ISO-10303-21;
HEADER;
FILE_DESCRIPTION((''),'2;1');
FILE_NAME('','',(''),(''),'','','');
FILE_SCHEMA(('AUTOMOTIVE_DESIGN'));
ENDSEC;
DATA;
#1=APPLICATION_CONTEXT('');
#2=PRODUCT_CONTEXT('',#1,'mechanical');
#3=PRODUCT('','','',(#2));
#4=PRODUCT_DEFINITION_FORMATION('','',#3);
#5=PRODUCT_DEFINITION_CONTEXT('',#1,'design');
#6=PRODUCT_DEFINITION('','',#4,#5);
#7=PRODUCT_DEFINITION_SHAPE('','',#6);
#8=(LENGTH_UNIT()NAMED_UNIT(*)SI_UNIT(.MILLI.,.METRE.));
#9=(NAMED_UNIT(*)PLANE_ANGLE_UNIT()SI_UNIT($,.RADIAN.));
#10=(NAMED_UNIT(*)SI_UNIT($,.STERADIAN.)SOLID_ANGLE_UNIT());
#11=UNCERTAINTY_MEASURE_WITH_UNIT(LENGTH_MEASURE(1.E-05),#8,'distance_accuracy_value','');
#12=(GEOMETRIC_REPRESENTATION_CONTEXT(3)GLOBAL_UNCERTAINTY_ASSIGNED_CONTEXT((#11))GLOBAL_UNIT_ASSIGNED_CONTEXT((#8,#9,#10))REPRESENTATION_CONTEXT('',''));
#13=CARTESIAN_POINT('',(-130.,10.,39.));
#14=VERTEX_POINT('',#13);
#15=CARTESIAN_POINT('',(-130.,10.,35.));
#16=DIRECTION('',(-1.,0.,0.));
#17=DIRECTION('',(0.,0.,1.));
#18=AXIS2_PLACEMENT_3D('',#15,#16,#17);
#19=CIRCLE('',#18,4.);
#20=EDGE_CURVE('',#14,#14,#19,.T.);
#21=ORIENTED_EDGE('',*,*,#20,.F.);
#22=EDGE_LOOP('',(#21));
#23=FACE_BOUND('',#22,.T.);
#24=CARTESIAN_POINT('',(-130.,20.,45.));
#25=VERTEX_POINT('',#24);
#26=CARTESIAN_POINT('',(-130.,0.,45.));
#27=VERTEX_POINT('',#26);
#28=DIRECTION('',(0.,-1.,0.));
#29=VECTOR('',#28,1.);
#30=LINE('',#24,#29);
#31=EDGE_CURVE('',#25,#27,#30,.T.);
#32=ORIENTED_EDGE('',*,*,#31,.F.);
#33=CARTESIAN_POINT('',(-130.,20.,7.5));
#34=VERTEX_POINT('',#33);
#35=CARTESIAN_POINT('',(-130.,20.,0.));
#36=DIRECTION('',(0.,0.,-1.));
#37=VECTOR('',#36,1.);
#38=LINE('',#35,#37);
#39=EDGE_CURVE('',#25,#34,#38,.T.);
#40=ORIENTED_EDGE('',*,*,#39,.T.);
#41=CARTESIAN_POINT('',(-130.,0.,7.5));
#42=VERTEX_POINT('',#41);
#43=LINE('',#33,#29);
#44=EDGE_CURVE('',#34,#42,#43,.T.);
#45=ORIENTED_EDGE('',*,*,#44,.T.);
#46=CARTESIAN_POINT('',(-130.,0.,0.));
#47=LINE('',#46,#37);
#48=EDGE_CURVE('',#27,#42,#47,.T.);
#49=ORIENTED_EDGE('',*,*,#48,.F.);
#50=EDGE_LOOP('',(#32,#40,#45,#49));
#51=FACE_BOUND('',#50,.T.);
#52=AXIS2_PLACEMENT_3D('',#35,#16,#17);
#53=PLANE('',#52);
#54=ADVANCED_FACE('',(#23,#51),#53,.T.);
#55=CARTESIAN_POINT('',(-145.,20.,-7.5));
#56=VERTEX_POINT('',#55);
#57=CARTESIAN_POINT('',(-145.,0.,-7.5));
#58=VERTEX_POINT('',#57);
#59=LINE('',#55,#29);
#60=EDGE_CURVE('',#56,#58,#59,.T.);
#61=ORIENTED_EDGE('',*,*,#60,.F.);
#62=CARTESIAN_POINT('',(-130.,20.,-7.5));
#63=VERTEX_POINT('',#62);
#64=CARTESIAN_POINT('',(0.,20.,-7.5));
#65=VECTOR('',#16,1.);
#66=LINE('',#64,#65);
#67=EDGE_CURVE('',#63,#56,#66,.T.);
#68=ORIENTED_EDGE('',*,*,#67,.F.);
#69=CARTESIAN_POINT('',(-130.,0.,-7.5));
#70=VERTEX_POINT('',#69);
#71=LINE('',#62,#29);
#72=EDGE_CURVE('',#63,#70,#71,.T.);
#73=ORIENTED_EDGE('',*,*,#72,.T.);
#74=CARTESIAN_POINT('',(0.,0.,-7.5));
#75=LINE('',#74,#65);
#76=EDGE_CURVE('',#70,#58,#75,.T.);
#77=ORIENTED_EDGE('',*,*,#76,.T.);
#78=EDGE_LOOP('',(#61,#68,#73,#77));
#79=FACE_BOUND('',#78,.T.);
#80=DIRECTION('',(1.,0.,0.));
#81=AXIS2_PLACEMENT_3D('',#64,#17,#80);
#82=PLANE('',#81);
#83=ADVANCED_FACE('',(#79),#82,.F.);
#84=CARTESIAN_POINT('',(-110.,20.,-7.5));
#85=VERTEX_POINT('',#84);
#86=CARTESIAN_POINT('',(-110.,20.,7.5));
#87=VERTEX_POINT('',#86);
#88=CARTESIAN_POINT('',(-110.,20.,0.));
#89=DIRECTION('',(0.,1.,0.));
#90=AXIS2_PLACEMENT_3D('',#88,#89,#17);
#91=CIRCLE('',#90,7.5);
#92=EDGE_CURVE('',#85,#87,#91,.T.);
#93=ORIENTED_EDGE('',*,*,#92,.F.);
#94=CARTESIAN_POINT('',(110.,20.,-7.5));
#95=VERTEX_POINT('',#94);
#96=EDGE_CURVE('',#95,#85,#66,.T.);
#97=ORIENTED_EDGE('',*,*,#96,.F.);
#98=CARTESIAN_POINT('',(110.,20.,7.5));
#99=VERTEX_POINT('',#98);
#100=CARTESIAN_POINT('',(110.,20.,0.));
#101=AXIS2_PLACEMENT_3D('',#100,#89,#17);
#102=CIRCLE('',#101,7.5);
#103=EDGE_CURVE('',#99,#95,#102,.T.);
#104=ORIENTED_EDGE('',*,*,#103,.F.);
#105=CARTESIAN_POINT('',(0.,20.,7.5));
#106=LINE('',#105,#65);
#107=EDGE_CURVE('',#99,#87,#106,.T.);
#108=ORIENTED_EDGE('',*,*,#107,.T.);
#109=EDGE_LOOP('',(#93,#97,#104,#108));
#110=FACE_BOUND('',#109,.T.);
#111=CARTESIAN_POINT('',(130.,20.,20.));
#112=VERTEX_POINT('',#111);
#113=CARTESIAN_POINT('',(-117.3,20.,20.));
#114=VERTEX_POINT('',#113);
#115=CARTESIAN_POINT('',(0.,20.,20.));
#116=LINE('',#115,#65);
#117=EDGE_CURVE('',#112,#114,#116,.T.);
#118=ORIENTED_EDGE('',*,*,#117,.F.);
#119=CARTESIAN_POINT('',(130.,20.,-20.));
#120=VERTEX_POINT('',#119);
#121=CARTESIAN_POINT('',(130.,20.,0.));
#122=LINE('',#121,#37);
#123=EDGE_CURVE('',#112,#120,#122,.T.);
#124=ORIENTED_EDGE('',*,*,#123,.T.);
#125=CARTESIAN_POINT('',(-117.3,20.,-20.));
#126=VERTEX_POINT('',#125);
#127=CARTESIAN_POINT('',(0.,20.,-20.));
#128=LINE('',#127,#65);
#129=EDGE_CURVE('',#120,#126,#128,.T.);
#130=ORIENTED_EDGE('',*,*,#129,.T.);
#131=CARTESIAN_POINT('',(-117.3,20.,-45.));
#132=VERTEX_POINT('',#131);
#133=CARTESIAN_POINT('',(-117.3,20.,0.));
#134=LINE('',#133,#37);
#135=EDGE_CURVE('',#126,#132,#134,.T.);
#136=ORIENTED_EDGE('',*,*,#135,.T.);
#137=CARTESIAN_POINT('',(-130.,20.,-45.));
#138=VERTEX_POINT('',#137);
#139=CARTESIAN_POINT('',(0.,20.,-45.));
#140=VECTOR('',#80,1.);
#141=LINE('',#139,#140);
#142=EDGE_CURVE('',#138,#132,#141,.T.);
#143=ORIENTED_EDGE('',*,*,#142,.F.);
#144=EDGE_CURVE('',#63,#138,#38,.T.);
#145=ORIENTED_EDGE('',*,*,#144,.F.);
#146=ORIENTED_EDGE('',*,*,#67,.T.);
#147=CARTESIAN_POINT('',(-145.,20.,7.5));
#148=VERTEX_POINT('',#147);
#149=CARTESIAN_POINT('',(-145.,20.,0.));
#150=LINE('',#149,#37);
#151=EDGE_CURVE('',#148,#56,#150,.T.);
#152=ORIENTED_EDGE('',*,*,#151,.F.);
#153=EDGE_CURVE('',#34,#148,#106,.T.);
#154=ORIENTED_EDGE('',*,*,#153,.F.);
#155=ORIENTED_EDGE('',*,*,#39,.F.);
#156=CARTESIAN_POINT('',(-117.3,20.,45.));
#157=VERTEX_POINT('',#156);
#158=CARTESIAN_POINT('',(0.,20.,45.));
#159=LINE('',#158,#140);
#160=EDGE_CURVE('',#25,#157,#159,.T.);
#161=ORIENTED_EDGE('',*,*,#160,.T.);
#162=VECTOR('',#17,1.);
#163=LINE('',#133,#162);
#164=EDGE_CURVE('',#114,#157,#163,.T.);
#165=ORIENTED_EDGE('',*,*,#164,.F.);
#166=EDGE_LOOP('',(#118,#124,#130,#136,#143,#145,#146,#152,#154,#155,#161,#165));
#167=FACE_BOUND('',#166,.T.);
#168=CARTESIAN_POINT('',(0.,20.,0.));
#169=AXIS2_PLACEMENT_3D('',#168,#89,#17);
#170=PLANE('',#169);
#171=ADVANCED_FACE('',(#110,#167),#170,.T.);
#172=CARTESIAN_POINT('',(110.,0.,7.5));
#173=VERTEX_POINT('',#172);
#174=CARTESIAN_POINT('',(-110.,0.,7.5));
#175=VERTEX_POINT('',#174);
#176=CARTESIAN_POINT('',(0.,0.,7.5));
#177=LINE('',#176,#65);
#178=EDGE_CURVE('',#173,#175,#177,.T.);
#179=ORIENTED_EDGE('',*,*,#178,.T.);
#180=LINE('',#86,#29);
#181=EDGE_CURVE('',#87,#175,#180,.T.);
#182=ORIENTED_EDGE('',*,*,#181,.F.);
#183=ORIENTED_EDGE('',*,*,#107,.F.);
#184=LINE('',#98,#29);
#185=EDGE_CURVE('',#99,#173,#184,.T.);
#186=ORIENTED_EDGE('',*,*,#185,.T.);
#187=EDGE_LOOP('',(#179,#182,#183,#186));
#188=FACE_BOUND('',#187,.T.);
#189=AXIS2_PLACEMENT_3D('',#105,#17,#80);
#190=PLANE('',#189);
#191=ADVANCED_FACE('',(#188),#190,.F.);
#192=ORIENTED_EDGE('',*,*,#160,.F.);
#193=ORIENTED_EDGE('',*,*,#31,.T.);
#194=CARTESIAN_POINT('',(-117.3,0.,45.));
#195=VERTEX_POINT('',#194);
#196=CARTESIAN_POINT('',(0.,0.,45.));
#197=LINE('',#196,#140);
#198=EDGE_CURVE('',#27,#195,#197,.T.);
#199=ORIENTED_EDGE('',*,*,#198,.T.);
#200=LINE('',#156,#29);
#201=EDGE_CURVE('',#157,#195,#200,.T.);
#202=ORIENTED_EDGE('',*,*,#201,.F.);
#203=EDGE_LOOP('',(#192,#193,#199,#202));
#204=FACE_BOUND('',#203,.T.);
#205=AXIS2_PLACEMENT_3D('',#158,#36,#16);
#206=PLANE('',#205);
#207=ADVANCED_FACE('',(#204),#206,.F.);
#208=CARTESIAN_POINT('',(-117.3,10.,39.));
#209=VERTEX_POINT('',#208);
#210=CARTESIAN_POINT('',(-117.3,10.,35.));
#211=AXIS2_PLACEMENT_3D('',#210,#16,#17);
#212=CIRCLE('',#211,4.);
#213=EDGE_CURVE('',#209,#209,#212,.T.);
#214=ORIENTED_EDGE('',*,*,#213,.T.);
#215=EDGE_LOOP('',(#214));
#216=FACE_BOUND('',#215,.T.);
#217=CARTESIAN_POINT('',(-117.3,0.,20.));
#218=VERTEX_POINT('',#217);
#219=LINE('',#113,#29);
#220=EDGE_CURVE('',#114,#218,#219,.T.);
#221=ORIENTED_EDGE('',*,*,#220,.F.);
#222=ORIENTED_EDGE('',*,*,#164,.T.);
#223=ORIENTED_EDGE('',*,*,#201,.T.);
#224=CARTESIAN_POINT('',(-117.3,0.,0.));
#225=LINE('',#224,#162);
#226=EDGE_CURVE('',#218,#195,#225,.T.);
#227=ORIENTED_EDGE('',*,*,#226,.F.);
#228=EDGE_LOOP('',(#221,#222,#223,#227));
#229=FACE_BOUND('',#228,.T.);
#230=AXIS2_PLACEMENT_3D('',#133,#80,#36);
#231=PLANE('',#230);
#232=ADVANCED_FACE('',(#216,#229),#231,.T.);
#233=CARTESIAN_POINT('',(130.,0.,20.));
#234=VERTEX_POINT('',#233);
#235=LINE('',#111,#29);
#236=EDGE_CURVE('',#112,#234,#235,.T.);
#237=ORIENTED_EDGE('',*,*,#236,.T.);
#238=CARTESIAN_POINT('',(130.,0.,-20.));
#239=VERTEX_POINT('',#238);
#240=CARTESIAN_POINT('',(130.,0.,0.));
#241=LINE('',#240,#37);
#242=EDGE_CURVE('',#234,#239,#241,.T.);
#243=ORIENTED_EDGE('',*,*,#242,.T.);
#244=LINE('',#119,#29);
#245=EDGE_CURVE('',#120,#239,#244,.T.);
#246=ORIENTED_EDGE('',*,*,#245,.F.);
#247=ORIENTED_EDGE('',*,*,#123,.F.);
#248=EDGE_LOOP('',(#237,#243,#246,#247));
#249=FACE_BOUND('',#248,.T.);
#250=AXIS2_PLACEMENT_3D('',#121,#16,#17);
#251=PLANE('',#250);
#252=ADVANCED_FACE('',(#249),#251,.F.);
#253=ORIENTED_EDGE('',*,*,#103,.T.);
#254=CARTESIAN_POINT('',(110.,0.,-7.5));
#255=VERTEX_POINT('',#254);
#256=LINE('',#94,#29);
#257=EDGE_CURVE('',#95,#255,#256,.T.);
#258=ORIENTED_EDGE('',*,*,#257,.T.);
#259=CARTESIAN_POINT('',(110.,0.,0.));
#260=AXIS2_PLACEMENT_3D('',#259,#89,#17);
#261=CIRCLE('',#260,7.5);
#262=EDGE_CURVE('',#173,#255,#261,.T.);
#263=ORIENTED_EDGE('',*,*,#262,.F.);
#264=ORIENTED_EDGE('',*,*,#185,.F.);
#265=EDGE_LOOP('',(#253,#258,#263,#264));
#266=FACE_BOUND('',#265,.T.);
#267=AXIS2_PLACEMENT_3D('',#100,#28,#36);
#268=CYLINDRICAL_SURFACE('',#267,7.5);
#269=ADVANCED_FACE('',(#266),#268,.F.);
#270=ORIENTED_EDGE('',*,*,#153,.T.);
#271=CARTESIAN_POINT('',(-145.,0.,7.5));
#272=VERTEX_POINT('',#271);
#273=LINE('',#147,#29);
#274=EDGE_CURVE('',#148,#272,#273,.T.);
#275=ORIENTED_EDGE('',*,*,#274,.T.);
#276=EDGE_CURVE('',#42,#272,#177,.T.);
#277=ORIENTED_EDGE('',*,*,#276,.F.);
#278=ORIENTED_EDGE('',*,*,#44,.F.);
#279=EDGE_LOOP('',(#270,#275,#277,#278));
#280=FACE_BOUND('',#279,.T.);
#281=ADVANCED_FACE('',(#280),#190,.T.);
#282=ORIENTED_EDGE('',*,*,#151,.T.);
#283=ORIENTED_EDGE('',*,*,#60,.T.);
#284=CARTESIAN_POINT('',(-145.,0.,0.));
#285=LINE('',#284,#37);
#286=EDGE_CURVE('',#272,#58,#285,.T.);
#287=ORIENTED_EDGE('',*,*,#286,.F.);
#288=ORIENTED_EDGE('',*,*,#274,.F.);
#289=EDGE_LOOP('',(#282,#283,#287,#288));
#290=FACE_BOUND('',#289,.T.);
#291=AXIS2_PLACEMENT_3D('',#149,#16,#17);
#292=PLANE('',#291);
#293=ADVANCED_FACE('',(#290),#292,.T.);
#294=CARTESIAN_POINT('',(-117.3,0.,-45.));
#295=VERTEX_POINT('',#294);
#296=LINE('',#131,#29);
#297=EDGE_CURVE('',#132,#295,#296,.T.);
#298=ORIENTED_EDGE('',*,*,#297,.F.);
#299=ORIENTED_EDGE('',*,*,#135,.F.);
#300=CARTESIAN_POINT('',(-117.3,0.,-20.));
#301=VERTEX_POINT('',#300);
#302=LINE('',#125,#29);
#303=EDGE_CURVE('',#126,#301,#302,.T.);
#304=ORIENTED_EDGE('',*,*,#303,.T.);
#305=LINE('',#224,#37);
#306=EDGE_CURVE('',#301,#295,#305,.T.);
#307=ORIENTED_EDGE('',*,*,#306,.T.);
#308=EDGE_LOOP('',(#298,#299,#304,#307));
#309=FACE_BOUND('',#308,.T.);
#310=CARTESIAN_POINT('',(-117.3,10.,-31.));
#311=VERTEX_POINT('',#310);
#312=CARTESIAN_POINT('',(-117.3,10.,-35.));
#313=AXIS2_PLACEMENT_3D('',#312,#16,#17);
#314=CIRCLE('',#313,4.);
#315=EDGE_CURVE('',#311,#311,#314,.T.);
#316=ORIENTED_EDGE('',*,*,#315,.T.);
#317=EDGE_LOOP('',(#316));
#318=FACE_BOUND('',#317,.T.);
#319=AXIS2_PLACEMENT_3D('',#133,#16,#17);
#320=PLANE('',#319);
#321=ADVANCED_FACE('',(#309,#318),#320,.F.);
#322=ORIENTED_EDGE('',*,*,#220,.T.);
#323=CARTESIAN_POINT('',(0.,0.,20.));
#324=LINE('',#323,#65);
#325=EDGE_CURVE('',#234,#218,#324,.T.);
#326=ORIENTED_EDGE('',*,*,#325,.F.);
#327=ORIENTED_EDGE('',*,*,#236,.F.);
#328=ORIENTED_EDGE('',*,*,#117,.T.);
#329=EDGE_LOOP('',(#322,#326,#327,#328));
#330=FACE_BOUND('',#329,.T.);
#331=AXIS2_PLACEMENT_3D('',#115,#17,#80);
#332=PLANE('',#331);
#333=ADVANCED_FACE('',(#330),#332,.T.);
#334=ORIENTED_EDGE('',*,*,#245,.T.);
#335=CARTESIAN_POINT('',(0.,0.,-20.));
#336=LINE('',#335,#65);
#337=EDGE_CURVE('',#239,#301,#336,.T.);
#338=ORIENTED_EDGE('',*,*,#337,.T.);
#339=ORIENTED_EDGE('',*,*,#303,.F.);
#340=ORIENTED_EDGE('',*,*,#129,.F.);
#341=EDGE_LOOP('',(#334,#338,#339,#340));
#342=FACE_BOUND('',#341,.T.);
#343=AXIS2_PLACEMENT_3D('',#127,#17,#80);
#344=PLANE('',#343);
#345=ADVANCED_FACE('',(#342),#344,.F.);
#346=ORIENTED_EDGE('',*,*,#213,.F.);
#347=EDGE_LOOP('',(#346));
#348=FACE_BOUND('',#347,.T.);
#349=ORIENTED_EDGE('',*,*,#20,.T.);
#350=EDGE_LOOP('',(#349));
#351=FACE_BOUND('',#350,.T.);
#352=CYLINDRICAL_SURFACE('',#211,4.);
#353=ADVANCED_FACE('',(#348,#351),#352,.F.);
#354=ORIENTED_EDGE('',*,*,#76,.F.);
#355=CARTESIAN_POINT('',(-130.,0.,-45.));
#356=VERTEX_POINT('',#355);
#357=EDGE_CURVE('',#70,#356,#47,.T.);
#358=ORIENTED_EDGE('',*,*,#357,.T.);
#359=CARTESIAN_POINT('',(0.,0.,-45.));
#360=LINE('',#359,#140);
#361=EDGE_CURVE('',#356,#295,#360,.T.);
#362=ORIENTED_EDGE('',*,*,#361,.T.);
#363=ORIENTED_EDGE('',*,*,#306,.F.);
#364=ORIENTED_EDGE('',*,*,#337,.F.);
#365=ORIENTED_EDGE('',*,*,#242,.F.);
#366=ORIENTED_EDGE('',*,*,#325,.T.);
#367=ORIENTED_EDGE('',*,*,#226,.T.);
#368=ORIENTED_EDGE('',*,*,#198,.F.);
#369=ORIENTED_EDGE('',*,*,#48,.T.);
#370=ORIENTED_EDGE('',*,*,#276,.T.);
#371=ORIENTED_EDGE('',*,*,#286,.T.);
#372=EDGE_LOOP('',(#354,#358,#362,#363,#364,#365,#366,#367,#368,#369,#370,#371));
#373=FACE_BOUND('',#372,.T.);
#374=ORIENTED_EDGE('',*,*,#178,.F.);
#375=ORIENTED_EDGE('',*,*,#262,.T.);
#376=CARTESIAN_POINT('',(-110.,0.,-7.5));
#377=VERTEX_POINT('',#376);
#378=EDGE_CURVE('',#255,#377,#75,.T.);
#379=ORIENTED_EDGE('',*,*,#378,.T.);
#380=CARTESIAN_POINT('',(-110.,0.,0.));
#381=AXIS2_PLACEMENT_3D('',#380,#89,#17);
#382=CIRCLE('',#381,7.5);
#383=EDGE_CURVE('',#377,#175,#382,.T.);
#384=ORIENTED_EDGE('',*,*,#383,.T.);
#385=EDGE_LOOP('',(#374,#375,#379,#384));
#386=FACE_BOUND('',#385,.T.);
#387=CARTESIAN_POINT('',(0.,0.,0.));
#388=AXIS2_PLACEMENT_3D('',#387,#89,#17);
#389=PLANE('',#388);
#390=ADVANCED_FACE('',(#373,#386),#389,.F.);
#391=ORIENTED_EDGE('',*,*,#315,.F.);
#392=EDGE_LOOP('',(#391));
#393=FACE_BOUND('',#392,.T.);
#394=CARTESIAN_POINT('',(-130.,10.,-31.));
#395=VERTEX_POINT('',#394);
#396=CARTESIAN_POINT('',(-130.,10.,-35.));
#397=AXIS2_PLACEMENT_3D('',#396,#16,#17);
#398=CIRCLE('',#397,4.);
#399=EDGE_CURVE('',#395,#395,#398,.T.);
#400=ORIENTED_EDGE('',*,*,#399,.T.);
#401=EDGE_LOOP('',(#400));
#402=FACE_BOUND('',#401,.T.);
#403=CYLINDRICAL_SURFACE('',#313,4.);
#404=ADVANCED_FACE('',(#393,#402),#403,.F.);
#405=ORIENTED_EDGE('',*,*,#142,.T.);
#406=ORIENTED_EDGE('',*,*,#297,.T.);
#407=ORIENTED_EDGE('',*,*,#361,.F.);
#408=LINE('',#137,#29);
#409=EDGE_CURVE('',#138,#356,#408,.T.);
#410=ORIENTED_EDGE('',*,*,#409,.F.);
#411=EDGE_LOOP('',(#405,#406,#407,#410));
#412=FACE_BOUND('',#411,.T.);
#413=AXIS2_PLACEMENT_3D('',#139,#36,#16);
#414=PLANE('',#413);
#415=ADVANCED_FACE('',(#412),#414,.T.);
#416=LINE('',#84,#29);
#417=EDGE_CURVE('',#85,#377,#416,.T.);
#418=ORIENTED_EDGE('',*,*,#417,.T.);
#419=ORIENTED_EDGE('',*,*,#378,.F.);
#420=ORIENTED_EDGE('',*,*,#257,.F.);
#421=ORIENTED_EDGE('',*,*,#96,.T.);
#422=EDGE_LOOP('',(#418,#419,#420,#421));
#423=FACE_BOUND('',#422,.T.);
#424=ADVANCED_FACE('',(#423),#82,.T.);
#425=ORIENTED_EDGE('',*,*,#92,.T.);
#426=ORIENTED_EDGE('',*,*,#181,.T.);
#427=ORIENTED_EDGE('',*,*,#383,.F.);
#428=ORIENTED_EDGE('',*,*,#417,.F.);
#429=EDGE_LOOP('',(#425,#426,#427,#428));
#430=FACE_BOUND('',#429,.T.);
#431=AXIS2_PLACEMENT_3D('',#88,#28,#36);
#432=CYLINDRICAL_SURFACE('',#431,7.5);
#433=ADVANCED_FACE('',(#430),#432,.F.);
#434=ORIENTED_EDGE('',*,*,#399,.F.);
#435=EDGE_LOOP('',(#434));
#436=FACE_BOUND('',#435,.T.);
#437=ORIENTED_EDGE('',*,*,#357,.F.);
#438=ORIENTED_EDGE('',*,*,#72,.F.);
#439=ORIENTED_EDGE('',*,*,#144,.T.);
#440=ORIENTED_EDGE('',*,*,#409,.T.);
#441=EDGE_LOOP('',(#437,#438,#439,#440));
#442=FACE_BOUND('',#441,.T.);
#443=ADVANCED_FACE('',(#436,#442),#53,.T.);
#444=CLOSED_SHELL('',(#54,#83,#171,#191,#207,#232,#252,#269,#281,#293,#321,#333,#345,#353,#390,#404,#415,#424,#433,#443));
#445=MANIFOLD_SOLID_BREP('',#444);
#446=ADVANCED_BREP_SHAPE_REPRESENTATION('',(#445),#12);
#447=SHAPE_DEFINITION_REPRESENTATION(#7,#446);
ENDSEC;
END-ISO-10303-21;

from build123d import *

# Parameters (mm, degrees)
CROQUIS1_W              = 12.7
CROQUIS1_H              = 25
CROQUIS1_H_2            = 5
CROQUIS1_W_2            = 15
CROQUIS1_H_3            = 15
SALIENTE_EXTRUIR1_DEPTH = 20
CROQUIS2_R              = 4
CORTAR_EXTRUIR1_DEPTH   = 12.7


with BuildPart() as part:
    # Croquis1 → Saliente-Extruir1 (new body)
    # profile 1 of 6: a face of its own
    with BuildSketch(Plane(origin=(0, 0, 0), x_dir=(1, 0, 0), z_dir=(0, 1, 0))):
        Polygon((-117.3, -20), (130, -20), (130, 20), (-117.3, 20), (-117.3, 15), (-130, 15), (-130, 7.5), (-130, -7.5), (-130, -15), (-117.3, -15), align=None)
        with BuildLine():
            ThreePointArc((110, 7.5), (117.5, 0), (110, -7.5))
            Line((110, -7.5), (-110, -7.5))
            ThreePointArc((-110, -7.5), (-117.5, 0), (-110, 7.5))
            Line((-110, 7.5), (110, 7.5))
        make_face(mode=Mode.SUBTRACT)
    # profile 2 of 6: a face of its own
    with BuildSketch(Plane(origin=(0, 0, 0), x_dir=(1, 0, 0), z_dir=(0, 1, 0))):
        with Locations((-123.65, -32.5)):
            Rectangle(CROQUIS1_W, CROQUIS1_H)
    # profile 3 of 6: a face of its own
    with BuildSketch(Plane(origin=(0, 0, 0), x_dir=(1, 0, 0), z_dir=(0, 1, 0))):
        with Locations((-123.65, -17.5)):
            Rectangle(CROQUIS1_W, CROQUIS1_H_2)
    # profile 4 of 6: a face of its own
    with BuildSketch(Plane(origin=(0, 0, 0), x_dir=(1, 0, 0), z_dir=(0, 1, 0))):
        with Locations((-123.65, 17.5)):
            Rectangle(CROQUIS1_W, CROQUIS1_H_2)
    # profile 5 of 6: a face of its own
    with BuildSketch(Plane(origin=(0, 0, 0), x_dir=(1, 0, 0), z_dir=(0, 1, 0))):
        with Locations((-123.65, 32.5)):
            Rectangle(CROQUIS1_W, CROQUIS1_H)
    # profile 6 of 6: a face of its own
    with BuildSketch(Plane(origin=(0, 0, 0), x_dir=(1, 0, 0), z_dir=(0, 1, 0))):
        with Locations((-137.5, 0)):
            Rectangle(CROQUIS1_W_2, CROQUIS1_H_3)
    extrude(amount=SALIENTE_EXTRUIR1_DEPTH)

    # Croquis2 → Cortar-Extruir1 (cut)
    with BuildSketch(Plane.ZY.offset(130)):
        with Locations((-35, 10)):
            Circle(CROQUIS2_R)
        with Locations((35, 10)):
            Circle(CROQUIS2_R)
    extrude(amount=-CORTAR_EXTRUIR1_DEPTH, mode=Mode.SUBTRACT)


solid = part.part
